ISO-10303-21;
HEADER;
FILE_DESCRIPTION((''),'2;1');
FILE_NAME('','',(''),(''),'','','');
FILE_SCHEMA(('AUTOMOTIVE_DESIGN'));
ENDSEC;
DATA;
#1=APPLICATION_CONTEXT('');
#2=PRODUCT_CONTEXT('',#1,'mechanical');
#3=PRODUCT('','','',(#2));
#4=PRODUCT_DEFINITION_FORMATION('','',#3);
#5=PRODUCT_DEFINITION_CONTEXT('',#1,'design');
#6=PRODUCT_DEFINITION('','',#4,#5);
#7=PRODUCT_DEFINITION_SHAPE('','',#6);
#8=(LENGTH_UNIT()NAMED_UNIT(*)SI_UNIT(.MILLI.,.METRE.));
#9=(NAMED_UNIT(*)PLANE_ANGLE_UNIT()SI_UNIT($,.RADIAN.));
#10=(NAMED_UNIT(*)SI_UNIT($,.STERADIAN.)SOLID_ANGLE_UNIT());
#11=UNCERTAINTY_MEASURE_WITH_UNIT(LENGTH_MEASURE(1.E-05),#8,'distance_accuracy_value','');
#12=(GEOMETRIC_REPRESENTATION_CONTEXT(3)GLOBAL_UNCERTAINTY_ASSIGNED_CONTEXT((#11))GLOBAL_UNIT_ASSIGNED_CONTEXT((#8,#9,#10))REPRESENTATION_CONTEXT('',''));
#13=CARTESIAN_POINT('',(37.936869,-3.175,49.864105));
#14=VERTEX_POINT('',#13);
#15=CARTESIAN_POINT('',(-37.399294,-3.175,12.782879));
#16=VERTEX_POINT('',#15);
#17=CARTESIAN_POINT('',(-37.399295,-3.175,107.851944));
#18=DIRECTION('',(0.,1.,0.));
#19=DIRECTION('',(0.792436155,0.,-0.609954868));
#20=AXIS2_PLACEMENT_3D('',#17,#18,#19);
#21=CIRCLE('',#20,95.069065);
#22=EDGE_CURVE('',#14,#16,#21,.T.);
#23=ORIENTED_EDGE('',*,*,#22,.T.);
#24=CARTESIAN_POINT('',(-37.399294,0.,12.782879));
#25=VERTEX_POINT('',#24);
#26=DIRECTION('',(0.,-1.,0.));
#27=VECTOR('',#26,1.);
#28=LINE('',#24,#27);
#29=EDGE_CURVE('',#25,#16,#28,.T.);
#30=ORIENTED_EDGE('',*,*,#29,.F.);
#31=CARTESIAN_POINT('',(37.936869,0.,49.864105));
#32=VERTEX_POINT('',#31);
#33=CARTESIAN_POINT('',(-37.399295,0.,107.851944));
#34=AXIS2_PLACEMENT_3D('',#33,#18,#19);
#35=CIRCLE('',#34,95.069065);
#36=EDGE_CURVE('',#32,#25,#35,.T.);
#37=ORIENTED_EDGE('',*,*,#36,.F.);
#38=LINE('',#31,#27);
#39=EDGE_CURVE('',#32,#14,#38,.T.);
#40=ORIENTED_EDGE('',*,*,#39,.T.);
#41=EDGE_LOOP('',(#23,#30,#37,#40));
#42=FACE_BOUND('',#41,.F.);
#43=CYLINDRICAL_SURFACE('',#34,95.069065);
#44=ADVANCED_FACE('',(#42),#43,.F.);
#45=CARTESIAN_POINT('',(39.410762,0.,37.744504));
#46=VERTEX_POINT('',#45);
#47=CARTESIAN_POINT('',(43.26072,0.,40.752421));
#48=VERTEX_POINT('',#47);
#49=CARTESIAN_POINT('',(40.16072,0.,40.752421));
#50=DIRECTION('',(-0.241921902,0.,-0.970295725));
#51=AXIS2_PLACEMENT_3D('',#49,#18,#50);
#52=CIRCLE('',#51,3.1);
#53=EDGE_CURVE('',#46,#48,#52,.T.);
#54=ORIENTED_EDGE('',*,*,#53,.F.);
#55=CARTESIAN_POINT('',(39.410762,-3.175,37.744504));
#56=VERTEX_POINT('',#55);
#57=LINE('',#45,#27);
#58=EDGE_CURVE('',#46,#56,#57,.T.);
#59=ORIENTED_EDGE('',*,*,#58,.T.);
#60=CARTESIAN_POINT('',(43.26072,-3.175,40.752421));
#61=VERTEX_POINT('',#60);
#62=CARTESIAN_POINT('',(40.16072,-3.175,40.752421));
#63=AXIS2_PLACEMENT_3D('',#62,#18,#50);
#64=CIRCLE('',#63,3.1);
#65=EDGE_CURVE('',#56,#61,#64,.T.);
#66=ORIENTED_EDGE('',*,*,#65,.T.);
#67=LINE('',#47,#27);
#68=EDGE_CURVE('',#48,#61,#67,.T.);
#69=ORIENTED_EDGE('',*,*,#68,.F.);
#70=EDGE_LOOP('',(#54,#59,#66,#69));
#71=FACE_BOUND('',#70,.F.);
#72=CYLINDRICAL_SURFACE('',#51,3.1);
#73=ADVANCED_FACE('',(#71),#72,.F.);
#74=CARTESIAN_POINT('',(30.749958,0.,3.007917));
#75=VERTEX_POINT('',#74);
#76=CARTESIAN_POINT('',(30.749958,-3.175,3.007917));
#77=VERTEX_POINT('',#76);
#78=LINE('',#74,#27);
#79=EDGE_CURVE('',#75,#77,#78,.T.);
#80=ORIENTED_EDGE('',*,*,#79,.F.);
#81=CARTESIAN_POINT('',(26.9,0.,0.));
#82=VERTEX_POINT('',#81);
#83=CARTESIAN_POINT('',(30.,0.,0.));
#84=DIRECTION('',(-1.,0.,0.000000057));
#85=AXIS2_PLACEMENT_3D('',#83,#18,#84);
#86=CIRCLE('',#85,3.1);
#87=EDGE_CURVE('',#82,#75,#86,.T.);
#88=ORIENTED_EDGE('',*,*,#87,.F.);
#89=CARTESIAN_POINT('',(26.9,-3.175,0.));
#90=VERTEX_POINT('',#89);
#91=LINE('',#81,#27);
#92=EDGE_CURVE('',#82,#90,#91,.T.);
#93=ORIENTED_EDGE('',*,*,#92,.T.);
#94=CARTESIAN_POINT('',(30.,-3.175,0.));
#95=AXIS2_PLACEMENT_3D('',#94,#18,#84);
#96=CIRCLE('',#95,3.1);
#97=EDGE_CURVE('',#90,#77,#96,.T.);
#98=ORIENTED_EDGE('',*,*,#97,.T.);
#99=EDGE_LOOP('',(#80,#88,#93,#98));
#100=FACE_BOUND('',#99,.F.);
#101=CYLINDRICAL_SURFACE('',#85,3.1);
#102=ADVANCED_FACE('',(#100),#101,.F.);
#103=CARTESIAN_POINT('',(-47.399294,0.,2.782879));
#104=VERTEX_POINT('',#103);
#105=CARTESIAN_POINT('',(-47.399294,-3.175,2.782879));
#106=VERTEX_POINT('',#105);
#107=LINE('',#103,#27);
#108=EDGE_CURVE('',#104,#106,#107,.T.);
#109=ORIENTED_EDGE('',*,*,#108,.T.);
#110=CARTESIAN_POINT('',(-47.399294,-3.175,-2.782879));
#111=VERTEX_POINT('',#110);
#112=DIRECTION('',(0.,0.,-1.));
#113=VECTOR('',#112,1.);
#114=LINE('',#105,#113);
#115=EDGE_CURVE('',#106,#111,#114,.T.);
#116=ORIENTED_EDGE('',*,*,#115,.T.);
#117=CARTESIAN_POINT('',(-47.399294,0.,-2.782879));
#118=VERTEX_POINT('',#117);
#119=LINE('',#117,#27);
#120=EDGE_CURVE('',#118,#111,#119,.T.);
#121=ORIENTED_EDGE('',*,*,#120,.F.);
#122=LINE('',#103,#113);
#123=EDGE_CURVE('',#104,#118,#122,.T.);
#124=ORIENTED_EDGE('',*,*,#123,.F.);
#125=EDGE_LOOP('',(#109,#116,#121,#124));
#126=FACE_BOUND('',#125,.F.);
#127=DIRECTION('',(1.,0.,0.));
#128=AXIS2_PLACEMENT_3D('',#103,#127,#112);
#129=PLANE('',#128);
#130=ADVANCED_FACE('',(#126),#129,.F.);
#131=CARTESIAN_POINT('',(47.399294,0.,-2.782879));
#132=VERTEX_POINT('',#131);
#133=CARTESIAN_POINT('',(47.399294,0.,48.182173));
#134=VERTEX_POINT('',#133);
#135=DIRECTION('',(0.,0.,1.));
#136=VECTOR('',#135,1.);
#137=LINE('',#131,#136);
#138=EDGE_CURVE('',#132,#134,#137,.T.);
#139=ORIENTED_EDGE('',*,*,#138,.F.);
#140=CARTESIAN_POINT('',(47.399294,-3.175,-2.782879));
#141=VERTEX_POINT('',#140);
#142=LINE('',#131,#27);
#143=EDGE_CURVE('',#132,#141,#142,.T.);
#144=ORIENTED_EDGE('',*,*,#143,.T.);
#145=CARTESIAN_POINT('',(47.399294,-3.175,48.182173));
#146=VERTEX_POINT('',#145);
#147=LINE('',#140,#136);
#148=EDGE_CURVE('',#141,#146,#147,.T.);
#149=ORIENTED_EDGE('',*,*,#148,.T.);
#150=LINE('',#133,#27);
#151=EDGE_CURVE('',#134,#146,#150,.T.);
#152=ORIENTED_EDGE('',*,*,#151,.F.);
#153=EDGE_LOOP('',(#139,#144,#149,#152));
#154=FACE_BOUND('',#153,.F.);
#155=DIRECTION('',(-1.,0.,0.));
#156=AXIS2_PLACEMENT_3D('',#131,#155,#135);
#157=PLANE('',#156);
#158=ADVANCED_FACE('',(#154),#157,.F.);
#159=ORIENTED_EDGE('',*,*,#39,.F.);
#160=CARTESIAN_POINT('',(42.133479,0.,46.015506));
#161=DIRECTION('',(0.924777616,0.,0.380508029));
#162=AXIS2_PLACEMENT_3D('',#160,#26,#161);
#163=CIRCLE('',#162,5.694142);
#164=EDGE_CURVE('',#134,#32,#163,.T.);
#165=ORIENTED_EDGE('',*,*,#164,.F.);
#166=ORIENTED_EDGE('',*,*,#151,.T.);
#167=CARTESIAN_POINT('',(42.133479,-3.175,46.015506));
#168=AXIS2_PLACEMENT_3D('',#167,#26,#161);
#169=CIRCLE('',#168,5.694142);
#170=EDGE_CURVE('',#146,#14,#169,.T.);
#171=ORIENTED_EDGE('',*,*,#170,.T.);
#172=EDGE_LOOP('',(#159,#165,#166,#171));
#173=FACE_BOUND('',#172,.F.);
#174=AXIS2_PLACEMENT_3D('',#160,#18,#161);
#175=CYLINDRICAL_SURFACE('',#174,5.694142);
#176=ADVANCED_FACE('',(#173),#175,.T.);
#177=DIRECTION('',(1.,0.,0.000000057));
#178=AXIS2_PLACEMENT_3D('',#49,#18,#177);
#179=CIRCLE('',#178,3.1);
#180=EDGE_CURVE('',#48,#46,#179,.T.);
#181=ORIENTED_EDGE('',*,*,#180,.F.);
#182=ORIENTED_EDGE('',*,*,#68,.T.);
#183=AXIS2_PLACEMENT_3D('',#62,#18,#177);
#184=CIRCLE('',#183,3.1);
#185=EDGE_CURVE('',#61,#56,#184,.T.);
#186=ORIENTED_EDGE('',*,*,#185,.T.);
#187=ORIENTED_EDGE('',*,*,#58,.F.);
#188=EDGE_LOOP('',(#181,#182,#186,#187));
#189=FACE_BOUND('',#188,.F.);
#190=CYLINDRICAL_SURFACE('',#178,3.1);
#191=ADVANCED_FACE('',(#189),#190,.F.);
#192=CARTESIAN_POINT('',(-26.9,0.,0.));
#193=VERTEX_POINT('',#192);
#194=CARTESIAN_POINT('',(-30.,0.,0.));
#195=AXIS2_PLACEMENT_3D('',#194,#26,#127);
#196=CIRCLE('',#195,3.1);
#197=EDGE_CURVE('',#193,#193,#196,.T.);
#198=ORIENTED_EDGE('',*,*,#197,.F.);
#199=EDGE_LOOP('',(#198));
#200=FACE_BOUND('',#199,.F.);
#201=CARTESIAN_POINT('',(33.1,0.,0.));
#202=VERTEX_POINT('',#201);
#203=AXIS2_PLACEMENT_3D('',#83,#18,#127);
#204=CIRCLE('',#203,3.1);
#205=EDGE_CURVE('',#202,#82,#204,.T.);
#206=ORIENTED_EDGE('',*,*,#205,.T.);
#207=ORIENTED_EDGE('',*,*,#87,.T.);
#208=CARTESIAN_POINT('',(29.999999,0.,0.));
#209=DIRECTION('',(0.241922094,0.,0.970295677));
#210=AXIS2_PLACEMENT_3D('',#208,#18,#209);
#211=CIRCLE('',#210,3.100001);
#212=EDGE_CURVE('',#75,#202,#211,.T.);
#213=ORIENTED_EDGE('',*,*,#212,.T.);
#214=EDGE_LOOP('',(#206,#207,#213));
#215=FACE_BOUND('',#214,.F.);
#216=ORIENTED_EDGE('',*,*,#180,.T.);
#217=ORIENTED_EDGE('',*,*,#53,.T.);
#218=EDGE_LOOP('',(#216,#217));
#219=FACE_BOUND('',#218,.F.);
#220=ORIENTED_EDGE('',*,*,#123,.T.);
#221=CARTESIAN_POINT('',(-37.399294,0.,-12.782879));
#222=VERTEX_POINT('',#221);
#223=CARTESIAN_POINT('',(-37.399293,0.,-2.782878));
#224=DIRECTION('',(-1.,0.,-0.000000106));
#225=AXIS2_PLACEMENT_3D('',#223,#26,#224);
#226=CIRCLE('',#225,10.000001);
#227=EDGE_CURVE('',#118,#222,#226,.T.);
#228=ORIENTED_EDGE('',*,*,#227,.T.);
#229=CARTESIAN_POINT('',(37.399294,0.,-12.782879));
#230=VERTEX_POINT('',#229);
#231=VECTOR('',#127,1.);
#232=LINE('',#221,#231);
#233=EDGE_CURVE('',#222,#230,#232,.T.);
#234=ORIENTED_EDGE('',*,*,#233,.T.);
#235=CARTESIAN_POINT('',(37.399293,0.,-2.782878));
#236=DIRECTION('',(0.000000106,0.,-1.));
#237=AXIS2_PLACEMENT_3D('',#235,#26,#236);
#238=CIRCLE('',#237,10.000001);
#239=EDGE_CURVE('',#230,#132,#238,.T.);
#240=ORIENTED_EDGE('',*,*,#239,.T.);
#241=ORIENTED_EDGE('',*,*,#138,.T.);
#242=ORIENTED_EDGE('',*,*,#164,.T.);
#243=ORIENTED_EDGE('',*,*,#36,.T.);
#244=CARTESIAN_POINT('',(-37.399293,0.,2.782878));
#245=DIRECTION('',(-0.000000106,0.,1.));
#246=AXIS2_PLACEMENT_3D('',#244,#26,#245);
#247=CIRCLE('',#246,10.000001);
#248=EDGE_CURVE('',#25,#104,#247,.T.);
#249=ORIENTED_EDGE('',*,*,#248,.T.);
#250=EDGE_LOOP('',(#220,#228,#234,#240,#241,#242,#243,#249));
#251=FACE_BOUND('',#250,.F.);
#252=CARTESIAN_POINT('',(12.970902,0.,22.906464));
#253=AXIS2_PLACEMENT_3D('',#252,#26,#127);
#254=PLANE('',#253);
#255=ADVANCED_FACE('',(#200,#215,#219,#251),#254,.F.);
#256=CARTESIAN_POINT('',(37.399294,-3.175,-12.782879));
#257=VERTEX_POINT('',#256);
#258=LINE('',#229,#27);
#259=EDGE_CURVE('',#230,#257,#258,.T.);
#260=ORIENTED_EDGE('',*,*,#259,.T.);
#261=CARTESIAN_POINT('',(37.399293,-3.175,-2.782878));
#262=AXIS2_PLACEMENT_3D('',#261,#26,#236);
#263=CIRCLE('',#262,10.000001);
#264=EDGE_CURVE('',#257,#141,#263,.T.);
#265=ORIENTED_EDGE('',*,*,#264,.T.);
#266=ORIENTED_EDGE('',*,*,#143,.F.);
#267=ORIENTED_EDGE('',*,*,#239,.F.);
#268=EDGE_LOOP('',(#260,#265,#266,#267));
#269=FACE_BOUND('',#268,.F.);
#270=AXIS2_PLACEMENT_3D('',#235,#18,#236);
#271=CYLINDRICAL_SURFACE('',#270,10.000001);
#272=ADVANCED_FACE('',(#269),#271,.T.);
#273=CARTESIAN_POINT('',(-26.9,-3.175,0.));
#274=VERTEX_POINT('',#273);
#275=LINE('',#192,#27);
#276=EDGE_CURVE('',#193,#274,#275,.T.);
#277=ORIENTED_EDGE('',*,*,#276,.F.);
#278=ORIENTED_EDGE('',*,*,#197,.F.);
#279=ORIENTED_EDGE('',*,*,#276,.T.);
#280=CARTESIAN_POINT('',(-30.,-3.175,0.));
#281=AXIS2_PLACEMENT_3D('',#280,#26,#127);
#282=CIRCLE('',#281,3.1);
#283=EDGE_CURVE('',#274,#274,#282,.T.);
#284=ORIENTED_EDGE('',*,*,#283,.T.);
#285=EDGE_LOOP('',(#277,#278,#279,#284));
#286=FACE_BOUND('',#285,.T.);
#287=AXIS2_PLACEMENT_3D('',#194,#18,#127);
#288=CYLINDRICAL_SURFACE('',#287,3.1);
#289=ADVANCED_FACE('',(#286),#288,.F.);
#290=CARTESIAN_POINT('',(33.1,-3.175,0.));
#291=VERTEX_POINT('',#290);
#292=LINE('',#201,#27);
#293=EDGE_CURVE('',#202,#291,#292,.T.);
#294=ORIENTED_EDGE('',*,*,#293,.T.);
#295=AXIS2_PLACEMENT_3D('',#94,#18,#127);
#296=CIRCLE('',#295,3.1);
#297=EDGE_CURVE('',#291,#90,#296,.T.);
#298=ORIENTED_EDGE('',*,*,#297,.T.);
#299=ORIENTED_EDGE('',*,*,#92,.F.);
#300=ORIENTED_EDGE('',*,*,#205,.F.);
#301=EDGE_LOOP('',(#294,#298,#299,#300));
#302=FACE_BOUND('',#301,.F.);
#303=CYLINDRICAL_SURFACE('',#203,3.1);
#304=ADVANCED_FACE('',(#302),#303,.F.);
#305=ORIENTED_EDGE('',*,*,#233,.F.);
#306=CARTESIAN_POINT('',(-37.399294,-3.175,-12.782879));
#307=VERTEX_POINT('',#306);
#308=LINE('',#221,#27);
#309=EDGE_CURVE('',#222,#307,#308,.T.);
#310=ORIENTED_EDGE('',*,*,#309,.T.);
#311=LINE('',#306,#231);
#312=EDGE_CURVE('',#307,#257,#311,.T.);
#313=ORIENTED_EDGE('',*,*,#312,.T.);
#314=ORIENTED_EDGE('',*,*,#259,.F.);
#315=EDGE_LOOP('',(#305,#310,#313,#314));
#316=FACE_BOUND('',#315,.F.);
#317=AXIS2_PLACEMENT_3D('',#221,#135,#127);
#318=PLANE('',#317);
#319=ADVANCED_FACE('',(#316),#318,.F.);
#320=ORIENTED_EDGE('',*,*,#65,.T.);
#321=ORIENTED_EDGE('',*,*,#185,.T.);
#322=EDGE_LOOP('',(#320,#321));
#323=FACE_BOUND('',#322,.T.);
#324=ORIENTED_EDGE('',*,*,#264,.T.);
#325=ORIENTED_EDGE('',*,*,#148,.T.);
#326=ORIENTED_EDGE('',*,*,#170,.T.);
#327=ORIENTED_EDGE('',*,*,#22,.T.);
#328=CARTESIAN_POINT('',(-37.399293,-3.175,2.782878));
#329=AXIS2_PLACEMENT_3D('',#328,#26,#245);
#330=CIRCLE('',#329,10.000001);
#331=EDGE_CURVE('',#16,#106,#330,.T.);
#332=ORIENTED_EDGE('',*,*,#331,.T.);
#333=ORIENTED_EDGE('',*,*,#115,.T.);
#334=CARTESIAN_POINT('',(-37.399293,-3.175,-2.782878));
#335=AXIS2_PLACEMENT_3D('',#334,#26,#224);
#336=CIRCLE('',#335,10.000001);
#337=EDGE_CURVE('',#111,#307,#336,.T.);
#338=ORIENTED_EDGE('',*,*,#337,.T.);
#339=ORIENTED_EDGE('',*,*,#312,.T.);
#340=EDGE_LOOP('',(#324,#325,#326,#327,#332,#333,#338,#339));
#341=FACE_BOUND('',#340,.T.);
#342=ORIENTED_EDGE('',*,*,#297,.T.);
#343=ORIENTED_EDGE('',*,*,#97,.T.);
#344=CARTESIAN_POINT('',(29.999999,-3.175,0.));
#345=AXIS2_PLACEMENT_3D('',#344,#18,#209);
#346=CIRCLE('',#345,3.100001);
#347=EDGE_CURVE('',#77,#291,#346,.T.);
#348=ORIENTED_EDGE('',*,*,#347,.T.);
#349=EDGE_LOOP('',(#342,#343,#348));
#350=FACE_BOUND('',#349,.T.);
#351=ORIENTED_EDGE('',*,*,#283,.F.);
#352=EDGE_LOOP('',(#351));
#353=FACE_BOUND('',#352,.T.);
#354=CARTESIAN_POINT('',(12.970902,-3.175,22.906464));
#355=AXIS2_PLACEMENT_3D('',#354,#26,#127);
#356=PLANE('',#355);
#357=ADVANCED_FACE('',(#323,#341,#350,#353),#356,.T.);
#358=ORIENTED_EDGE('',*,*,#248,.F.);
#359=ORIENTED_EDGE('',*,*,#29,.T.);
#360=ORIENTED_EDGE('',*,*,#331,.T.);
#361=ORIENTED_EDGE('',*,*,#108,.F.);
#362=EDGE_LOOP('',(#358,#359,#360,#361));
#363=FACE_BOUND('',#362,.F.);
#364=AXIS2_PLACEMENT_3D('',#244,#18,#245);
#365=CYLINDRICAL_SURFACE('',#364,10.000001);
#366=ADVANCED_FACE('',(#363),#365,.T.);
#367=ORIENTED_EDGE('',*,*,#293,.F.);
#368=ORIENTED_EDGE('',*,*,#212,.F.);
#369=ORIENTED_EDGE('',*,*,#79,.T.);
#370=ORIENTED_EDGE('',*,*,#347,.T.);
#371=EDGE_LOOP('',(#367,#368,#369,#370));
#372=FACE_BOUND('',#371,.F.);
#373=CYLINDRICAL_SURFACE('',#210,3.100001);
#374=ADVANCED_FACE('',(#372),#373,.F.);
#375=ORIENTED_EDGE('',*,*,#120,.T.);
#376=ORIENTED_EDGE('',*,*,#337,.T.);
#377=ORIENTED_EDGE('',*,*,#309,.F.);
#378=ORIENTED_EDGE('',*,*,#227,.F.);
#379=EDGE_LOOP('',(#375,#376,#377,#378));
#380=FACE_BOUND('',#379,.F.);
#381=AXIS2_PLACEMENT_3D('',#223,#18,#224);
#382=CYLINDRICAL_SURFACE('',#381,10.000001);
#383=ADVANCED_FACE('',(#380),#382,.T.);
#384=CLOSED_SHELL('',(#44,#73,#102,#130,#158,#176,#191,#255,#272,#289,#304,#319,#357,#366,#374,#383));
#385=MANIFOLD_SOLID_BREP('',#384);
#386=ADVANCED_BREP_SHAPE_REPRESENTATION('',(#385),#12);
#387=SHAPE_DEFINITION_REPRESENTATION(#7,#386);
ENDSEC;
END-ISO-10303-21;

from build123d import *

# Parameters (mm, degrees)
F0_R     = 3.1
F1_DEPTH = 3.175


with BuildPart() as f1:
    # F0 (on Front) → F1 (new body)
    with BuildSketch(Plane.XZ):
        with BuildLine():
            Line((-37.399294, 12.782879), (33.18713, 12.782879))
            Line((33.18713, 12.782879), (47.399294, 12.782879))
            Line((47.399294, 12.782879), (47.399294, 48.182173))
            ThreePointArc((47.399294, 48.182173), (43.129985, 51.621773), (37.936869, 49.864105))
            ThreePointArc((37.936869, 49.864105), (4.584497, 22.555471), (-37.399294, 12.782879))
        make_face()
        with BuildLine():
            ThreePointArc((43.26072, 40.752421), (42.06927, 38.309587), (39.410762, 37.744504))
            ThreePointArc((39.410762, 37.744504), (38.252169, 43.195254), (43.26072, 40.752421))
        make_face(mode=Mode.SUBTRACT)
        with BuildLine():
            Line((47.399294, 12.782879), (33.18713, 12.782879))
            Line((33.18713, 12.782879), (-37.399294, 12.782879))
            ThreePointArc((-37.399294, 12.782879), (-44.470361, 9.853947), (-47.399294, 2.782879))
            Line((-47.399294, 2.782879), (-47.399294, -2.782879))
            ThreePointArc((-47.399294, -2.782879), (-44.470361, -9.853947), (-37.399294, -12.782879))
            Line((-37.399294, -12.782879), (37.399294, -12.782879))
            ThreePointArc((37.399294, -12.782879), (44.470361, -9.853947), (47.399294, -2.782879))
            Line((47.399294, -2.782879), (47.399294, 12.782879))
        make_face()
        with Locations((-30, 0)):
            Circle(F0_R, mode=Mode.SUBTRACT)
        with BuildLine():
            ThreePointArc((33.1, 0), (30, -3.1), (26.9, 0))
            ThreePointArc((26.9, 0), (28.091449, 2.442833), (30.749958, 3.007917))
            ThreePointArc((30.749958, 3.007917), (32.442833, 1.908551), (33.1, 0))
        make_face(mode=Mode.SUBTRACT)
    extrude(amount=F1_DEPTH)


solid = f1.part
